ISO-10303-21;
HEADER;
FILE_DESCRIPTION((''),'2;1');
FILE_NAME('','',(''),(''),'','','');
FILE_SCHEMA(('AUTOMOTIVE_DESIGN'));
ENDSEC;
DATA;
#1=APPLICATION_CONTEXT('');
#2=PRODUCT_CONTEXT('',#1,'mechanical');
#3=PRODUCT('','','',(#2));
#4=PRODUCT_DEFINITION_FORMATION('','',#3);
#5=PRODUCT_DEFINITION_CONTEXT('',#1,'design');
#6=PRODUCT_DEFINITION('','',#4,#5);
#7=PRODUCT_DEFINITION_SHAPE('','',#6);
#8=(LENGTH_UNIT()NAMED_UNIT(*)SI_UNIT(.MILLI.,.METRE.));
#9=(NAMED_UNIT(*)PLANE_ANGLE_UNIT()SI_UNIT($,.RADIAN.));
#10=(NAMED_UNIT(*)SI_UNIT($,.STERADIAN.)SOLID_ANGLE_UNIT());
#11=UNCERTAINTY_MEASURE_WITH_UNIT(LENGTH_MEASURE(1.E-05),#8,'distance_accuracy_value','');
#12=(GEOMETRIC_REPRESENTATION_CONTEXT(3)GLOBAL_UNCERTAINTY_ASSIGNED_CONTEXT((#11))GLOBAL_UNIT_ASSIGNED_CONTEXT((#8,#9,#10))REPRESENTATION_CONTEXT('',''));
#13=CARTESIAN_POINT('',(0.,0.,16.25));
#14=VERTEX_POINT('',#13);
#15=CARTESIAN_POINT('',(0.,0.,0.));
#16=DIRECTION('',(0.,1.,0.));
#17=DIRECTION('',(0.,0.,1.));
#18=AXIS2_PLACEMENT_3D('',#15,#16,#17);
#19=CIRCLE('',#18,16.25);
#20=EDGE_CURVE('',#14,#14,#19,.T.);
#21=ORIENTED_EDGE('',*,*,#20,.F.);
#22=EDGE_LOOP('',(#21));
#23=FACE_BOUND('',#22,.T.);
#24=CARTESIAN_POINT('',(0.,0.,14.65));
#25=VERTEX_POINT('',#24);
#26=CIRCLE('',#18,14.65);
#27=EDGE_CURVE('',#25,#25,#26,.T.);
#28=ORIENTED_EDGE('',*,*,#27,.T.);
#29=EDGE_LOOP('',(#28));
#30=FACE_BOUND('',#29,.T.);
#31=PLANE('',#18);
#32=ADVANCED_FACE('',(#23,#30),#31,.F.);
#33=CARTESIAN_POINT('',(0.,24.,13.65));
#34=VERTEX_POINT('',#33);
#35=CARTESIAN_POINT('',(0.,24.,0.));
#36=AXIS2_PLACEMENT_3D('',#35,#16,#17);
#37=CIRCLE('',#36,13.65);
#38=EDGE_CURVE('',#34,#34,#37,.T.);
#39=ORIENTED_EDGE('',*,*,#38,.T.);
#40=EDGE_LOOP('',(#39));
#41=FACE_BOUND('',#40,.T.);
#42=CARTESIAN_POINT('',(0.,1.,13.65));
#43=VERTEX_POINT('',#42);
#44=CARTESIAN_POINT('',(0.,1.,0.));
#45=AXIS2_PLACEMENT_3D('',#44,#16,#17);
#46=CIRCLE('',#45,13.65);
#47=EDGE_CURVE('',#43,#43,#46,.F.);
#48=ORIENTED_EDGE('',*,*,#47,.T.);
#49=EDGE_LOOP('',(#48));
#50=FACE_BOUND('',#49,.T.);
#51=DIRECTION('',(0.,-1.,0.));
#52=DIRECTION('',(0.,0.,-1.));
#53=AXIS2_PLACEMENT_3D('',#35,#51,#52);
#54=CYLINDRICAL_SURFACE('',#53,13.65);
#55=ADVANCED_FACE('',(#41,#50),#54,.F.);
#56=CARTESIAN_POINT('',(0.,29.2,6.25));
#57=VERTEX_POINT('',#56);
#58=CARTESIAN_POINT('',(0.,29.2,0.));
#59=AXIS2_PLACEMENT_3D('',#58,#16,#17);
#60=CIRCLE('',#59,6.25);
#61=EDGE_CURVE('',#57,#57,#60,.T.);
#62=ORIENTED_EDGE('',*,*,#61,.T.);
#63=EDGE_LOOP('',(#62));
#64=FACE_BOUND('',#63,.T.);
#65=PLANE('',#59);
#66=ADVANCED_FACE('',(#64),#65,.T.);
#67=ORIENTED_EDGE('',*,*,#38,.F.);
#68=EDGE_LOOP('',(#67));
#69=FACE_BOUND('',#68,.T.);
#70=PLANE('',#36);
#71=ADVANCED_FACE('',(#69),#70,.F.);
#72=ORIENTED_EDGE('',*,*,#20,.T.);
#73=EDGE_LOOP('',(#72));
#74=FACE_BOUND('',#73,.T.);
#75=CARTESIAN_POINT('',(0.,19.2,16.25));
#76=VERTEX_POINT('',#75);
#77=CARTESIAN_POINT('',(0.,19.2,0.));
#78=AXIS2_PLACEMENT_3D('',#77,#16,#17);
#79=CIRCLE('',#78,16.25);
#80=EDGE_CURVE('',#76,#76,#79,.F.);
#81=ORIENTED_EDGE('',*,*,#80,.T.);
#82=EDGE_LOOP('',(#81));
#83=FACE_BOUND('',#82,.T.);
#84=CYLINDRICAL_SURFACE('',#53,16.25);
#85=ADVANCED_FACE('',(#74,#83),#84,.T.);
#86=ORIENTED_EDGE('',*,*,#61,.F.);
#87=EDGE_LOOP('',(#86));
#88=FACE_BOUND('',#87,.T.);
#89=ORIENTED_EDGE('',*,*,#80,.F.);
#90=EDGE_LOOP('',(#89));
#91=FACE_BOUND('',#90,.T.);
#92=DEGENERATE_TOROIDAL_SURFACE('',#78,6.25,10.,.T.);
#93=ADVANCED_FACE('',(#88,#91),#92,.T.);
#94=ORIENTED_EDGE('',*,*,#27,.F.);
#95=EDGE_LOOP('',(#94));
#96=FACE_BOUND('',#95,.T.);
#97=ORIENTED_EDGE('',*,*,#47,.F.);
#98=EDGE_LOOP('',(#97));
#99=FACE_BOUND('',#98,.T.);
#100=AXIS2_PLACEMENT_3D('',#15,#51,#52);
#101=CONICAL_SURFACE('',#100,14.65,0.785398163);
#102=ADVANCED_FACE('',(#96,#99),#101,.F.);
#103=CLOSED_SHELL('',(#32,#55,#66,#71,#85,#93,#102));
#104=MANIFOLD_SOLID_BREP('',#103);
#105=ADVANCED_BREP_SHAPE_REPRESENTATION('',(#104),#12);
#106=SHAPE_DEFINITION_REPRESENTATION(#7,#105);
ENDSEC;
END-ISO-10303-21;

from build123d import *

# Parameters (mm, degrees)
SKETCH1_R           = 16.25
SKETCH1_R_2         = 13.65
BOSS_EXTRUDE1_DEPTH = 24
CHAMFER1_SIZE       = 1
SKETCH3_R           = 16.25
BOSS_EXTRUDE3_DEPTH = 5.2
FILLET3_R           = 10


with BuildPart() as part:
    # Sketch1 → Boss-Extrude1 (new body)
    with BuildSketch(Plane(origin=(0, 0, 0), x_dir=(1, 0, 0), z_dir=(0, 1, 0))):
        with Locations(Location((0, 0, 0), (0, 0, 270))):
            Circle(SKETCH1_R)
        with Locations(Location((0, 0, 0), (0, 0, 270))):
            Circle(SKETCH1_R_2, mode=Mode.SUBTRACT)
    extrude(amount=BOSS_EXTRUDE1_DEPTH)

    # Chamfer1
    chamfer1_edges = [part.edges().sort_by_distance(p)[0] for p in [
        (0, 0, -13.65),
    ]]
    chamfer(chamfer1_edges, length=CHAMFER1_SIZE)

    # Sketch3 → Boss-Extrude3 (add)
    with BuildSketch(Plane(origin=(0, 24, 0), x_dir=(1, 0, 0), z_dir=(0, 1, 0))):
        with Locations(Location((0, 0, 0), (0, 0, 270))):
            Circle(SKETCH3_R)
    extrude(amount=BOSS_EXTRUDE3_DEPTH)

    # Fillet3
    fillet3_edges = [part.edges().sort_by_distance(p)[0] for p in [
        (0, 29.2, -16.25),
    ]]
    fillet(fillet3_edges, radius=FILLET3_R)


solid = part.part
